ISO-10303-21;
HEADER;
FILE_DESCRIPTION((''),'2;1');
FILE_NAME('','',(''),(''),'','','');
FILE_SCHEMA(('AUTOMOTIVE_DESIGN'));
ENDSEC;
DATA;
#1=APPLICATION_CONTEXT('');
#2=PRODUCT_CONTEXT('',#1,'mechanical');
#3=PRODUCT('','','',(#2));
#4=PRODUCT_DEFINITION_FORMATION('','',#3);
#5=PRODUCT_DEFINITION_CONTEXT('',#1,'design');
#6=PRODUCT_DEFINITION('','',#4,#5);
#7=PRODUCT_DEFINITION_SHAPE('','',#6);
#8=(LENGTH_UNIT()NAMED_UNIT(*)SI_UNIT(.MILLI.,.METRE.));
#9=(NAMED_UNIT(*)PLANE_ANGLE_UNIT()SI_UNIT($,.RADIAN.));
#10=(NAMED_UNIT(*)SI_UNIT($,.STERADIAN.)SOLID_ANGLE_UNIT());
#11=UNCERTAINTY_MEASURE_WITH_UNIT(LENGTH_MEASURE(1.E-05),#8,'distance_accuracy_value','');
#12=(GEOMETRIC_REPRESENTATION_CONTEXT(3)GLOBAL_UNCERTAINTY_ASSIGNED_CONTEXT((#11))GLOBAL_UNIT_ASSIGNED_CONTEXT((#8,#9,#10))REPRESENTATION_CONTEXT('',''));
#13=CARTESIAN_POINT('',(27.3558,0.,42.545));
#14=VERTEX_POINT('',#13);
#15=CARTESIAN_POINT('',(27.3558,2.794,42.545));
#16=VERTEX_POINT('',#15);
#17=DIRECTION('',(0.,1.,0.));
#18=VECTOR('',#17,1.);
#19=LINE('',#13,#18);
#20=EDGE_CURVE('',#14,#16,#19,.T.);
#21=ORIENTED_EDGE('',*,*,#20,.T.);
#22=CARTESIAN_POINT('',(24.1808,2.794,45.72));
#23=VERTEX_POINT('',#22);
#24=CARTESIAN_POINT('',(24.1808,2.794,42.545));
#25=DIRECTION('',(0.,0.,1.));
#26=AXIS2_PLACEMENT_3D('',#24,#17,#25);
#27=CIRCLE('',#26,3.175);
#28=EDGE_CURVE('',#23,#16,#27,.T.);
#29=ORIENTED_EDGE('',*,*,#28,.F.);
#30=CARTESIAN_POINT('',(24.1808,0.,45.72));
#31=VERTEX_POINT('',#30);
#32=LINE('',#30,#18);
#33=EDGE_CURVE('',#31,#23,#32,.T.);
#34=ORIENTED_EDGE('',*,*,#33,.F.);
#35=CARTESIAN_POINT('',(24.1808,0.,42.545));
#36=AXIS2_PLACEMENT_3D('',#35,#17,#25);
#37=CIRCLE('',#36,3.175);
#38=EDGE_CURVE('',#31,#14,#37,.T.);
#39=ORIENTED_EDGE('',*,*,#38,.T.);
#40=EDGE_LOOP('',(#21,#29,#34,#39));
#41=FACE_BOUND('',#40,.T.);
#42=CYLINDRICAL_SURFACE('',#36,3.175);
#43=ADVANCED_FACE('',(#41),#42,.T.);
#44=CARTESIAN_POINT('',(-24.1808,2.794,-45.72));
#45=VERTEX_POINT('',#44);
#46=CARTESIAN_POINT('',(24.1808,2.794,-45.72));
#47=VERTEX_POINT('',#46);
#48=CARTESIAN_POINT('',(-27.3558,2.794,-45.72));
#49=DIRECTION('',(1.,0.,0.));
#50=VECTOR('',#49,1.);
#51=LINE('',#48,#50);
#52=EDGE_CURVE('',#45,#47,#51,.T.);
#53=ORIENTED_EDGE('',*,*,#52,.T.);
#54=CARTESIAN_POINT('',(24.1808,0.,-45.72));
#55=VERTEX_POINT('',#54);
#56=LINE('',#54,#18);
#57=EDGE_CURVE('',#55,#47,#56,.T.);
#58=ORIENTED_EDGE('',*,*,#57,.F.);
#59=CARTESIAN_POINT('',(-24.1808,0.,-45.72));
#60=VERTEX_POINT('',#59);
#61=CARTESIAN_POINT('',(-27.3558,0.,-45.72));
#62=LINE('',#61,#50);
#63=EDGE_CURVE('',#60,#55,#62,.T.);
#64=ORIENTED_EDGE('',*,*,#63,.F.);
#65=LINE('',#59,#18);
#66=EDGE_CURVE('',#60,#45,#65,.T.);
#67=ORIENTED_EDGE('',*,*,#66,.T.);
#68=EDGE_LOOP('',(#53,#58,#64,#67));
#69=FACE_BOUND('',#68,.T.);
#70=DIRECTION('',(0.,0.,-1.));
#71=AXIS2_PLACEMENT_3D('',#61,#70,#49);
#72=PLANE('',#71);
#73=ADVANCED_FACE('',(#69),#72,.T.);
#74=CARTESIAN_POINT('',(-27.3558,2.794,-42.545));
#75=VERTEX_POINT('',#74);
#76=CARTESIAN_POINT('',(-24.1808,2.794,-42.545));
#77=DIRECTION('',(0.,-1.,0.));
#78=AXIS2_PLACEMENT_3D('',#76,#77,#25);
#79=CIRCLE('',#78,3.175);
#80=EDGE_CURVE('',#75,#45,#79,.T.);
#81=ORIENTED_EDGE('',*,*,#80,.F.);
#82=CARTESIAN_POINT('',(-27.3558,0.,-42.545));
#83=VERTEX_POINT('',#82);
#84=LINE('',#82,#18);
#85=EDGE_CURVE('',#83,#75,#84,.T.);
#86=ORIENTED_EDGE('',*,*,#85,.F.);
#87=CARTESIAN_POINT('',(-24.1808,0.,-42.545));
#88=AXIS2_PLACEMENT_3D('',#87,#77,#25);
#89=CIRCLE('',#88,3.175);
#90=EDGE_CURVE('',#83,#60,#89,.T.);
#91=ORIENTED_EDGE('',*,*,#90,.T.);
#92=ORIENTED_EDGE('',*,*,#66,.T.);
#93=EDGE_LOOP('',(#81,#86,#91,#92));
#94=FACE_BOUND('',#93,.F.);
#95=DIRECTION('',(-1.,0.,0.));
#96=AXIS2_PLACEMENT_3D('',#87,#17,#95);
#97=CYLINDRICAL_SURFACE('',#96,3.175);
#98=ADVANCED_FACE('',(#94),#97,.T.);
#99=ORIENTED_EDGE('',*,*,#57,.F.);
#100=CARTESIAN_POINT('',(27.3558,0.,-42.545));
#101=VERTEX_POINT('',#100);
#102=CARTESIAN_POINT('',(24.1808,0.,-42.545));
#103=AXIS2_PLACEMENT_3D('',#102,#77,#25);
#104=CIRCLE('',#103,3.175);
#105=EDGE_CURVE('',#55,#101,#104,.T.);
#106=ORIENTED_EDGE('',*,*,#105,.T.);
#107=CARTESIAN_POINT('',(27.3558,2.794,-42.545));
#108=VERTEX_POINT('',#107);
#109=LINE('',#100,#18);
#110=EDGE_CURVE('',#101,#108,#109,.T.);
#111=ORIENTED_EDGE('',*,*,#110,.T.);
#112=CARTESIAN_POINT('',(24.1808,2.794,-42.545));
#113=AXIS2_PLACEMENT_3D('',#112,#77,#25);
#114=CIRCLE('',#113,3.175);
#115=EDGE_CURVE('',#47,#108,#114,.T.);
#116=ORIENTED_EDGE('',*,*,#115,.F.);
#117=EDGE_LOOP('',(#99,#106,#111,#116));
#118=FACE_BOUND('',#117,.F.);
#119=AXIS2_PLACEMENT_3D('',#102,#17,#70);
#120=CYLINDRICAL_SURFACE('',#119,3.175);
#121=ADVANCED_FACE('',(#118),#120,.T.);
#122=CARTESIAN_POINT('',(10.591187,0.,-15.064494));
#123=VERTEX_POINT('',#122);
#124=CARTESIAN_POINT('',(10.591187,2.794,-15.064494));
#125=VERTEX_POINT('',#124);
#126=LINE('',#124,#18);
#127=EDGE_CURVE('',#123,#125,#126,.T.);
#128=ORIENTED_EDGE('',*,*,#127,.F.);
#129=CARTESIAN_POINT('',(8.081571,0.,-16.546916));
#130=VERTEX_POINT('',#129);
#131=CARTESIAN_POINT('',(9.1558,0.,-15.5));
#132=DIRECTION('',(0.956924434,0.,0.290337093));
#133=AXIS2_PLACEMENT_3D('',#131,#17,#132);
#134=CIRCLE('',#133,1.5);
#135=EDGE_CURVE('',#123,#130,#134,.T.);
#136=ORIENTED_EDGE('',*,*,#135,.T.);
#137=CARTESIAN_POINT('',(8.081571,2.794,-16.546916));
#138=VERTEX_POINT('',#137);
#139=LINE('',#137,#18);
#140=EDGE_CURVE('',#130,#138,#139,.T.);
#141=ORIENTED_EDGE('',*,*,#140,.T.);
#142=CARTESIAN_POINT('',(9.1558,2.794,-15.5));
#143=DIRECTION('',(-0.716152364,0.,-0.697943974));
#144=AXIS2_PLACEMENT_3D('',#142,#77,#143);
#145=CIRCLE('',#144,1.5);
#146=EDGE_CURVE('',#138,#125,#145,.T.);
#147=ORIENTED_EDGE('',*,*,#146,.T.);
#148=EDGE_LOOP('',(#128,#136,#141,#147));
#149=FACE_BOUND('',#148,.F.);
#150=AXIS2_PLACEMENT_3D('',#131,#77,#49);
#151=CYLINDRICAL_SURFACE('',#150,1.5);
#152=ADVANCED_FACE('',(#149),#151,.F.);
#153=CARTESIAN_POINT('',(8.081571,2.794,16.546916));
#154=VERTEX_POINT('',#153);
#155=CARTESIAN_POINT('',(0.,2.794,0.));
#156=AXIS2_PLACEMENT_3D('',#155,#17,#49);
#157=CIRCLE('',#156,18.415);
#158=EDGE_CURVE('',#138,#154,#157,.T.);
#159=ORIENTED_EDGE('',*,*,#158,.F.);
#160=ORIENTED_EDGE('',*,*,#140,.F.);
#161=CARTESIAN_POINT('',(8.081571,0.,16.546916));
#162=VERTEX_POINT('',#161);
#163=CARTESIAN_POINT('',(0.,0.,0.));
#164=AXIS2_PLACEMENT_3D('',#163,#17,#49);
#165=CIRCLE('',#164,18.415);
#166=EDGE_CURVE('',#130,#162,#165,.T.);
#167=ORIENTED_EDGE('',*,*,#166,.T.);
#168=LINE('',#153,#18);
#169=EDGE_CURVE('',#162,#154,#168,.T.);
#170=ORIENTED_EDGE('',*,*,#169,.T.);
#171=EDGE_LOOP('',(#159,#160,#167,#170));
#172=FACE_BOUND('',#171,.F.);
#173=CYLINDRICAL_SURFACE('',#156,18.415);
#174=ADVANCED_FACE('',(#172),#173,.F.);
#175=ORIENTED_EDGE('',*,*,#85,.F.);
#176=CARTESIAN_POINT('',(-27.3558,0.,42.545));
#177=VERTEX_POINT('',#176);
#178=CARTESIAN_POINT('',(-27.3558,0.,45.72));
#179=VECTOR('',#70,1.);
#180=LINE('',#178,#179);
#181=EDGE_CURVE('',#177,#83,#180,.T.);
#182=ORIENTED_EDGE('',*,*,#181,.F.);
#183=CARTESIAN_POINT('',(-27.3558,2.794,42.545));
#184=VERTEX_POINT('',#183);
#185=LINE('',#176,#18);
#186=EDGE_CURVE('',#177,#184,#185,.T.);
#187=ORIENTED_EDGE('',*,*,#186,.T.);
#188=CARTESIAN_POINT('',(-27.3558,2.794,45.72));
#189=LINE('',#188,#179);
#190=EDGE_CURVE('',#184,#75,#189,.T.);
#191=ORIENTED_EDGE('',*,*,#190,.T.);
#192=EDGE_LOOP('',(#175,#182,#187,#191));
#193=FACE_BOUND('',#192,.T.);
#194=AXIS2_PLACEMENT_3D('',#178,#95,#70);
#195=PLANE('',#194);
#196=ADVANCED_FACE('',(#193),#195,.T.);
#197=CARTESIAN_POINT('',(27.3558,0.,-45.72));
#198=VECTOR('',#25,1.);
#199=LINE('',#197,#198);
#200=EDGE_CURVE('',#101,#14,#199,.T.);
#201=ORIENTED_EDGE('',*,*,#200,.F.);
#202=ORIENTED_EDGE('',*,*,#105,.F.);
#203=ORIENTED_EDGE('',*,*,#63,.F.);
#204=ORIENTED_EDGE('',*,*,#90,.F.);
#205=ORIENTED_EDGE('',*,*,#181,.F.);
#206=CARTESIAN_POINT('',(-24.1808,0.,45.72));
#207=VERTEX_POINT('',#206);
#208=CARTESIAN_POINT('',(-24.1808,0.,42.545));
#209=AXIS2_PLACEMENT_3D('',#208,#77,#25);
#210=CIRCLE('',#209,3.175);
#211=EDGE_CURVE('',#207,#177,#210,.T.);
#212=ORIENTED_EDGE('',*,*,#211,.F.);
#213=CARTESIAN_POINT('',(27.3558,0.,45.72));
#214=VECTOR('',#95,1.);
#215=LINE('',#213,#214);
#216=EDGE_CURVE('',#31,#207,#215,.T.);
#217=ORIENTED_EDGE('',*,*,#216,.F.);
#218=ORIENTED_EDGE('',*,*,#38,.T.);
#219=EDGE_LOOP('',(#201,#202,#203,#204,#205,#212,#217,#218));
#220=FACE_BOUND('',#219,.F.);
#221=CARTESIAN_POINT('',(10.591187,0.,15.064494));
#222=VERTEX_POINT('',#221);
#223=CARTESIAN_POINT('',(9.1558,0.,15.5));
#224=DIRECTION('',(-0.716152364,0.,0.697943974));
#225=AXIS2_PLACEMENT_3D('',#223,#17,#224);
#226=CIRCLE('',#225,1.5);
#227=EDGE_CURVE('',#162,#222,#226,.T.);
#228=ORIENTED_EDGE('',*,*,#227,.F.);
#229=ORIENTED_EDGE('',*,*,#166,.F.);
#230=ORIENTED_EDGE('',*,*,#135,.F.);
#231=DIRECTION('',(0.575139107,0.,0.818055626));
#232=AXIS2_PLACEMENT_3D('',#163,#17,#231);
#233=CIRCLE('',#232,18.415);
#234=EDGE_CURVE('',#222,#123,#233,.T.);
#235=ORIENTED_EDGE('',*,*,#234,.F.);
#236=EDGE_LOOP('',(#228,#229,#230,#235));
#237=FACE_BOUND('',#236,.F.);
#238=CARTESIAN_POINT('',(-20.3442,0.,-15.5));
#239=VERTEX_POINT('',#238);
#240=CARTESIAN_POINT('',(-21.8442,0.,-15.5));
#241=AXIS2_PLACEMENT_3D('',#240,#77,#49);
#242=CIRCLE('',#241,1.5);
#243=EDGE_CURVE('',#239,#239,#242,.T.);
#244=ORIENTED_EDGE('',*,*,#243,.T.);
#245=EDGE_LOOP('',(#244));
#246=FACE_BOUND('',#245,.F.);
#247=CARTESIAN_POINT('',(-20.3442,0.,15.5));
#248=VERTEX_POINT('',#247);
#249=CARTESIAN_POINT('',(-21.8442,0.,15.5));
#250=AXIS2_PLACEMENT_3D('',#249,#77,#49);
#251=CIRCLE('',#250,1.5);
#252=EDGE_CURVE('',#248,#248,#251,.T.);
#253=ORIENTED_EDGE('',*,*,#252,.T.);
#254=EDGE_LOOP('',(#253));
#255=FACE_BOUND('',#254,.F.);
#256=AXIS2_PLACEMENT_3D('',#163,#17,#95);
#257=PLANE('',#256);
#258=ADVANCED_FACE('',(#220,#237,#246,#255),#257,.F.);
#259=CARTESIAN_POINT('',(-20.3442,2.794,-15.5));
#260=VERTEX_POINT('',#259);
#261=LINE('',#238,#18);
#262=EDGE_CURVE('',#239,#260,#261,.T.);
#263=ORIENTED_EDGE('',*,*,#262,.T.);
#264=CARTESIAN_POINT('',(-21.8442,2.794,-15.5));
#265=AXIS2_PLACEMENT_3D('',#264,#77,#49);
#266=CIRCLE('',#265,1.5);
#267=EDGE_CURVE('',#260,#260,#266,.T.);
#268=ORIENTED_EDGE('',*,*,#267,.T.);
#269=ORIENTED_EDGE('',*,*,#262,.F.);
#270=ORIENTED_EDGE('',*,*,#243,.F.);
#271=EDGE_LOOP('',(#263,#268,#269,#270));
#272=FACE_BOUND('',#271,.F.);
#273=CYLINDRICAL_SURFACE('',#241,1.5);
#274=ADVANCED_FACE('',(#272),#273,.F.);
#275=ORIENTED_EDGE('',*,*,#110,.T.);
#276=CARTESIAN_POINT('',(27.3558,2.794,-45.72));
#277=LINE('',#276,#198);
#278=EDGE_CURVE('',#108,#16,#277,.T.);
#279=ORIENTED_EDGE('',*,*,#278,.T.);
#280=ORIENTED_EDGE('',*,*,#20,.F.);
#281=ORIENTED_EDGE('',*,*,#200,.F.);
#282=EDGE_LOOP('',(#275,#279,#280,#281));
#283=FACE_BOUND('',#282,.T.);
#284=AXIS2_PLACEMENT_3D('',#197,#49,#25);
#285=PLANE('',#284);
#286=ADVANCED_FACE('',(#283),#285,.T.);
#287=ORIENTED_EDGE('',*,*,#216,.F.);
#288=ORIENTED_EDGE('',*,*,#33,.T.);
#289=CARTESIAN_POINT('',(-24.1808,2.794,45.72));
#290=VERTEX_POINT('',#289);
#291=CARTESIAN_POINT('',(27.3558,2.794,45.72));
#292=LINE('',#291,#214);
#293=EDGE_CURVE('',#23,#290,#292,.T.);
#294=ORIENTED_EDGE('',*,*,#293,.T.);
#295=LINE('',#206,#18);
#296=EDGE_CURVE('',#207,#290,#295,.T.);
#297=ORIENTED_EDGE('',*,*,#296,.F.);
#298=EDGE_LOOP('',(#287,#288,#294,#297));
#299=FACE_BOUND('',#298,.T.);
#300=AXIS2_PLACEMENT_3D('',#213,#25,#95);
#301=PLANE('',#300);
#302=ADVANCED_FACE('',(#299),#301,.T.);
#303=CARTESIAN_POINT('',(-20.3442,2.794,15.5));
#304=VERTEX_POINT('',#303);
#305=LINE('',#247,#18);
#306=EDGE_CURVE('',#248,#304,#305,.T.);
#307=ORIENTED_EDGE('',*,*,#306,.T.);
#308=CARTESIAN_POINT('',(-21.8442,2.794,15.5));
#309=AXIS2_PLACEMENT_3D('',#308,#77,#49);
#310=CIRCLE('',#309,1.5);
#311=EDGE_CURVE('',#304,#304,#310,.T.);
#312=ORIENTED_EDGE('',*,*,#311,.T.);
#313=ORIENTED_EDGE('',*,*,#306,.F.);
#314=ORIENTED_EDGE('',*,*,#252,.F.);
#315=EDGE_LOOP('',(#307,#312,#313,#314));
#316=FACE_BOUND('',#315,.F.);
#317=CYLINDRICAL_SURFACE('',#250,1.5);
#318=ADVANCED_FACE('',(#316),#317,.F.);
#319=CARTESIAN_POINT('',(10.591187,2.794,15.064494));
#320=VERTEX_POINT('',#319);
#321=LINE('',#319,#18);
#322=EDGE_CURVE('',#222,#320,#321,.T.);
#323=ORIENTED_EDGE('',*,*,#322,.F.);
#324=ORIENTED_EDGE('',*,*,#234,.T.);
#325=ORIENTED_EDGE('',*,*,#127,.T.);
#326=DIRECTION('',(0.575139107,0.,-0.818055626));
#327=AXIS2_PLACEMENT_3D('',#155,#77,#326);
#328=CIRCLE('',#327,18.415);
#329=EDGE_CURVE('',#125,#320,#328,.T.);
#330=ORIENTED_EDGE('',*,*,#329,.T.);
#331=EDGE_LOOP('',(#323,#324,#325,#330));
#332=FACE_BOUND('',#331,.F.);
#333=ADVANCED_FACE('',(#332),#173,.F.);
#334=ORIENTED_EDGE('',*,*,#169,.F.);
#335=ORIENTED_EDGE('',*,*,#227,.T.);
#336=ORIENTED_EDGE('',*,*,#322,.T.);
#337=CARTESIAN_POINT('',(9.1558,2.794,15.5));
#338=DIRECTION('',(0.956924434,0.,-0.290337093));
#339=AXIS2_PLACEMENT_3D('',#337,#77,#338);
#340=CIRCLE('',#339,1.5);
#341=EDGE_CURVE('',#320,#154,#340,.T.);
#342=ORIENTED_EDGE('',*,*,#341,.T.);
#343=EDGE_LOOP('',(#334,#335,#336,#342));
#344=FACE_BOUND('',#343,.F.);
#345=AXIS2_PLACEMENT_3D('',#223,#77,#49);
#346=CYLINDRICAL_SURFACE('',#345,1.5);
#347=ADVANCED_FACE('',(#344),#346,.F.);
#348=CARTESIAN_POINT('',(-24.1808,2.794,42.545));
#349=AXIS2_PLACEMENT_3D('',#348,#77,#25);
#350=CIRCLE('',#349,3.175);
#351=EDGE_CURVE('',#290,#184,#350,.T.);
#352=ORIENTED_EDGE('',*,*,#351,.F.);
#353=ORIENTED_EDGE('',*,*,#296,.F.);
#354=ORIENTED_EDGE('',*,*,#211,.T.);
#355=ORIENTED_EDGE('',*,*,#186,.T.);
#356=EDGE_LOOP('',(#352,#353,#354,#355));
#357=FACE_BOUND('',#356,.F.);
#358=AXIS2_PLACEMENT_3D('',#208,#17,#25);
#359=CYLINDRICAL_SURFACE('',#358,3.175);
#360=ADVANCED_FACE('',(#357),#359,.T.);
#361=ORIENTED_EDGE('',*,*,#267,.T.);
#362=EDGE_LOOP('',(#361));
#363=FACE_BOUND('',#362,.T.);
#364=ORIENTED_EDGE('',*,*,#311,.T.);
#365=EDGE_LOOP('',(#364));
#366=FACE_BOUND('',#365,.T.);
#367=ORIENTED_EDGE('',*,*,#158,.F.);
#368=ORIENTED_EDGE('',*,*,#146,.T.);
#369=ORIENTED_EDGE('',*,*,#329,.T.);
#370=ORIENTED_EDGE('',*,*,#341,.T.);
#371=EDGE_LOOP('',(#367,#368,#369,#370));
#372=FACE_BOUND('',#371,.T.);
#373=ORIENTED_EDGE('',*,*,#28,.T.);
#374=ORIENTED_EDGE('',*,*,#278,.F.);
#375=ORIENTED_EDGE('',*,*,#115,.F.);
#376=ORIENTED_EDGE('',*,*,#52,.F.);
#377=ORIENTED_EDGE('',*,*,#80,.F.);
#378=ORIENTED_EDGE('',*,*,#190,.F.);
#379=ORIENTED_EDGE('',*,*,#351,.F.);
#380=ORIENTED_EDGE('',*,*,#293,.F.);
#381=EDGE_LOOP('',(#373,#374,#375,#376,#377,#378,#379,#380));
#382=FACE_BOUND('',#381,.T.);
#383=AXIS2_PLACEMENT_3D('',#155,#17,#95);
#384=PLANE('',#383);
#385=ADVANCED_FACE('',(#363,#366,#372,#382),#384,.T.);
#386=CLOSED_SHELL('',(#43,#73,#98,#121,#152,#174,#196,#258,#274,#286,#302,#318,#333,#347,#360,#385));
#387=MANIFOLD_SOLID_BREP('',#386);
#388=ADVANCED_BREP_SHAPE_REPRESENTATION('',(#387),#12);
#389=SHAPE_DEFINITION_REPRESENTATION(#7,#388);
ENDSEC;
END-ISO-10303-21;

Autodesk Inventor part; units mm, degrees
ref_plane "YZ Plane" through (0, 0, 0) normal (1, 0, 0) x (0, 1, 0)
ref_plane "XZ Plane" through (0, 0, 0) normal (0, 1, 0) x (-1, 0, 0)
ref_plane "XY Plane" through (0, 0, 0) normal (0, 0, 1) x (1, 0, 0)
sketch "Sketch1" plane through (0, 0, 0) normal (0, 1, 0) x (-1, 0, 0)
  line L0 (-27.3558, 45.72) -> (27.3558, 45.72)
  line L1 (27.3558, 45.72) -> (27.3558, -45.72)
  line L2 (27.3558, -45.72) -> (-27.3558, -45.72)
  line L3 (-27.3558, -45.72) -> (-27.3558, 45.72)
  line L4 (-27.3558, 45.72) -> (27.3558, -45.72) construction
  line L5 (27.3558, 45.72) -> (-27.3558, -45.72) construction
  point P0 (0, 0)
  dimension "d0" = 54.7116
  dimension "d1" = 91.44
extrude "Extrusion1" add sketch "Sketch1" along normal blind 2.794
fillet "Fillet1" radius 3.175 4 edges at (-27.3558, 1.397, 45.72) (27.3558, 1.397, 45.72) (27.3558, 1.397, -45.72) (-27.3558, 1.397, -45.72)
sketch "Sketch2" plane through (0, 2.794, 0) normal (0, 1, 0) x (1, 0, 0)
  circle A0 centre (-6.3442, 0) radius 6.223
  circle A1 centre (-12.7676, 7.75) radius 1.5
  circle A2 centre (14.0792, 7.75) radius 1.5
  circle A3 centre (0.6558, 15.5) radius 1.5
  circle A4 centre (0.6558, -15.5) radius 1.5
  circle A5 centre (14.0792, -7.75) radius 1.5
  circle A6 centre (-12.7676, -7.75) radius 1.5
  line L0 (-27.3558, -45.72) -> (-27.3558, 45.72)
  line L1 (-27.3558, 45.72) -> (27.3558, 45.72)
  line L2 (27.3558, 45.72) -> (27.3558, -45.72)
  line L3 (27.3558, -45.72) -> (-27.3558, -45.72)
  circle A7 centre (0, 0) radius 18.415
  dimension "d5" = 36.83
extrude "Extrusion2" cut sketch "Sketch2" against normal blind 2.794 contours A0 | A1 | A2 | A3 | A4 | A5 | A6 | A7
sketch "Sketch3" plane through (0, 0, 0) normal (0, -1, 0) x (1, 0, 0)
  arc A0 (-39.5942, -30.48) -> (-36.5942, -30.48) centre (-38.0942, -30.48) ccw
  line L0 (-36.5942, -30.48) -> (-36.5942, -5.08)
  arc A1 (-36.5942, -5.08) -> (-39.5942, -5.08) centre (-38.0942, -5.08) ccw
  line L1 (-39.5942, -5.08) -> (-39.5942, -30.48)
  arc A2 (-39.5942, 5.08) -> (-36.5942, 5.08) centre (-38.0942, 5.08) ccw
  line L2 (-36.5942, 5.08) -> (-36.5942, 30.48)
  arc A3 (-36.5942, 30.48) -> (-39.5942, 30.48) centre (-38.0942, 30.48) ccw
  line L3 (-39.5942, 30.48) -> (-39.5942, 5.08)
  circle A4 centre (9.1558, -15.5) radius 1.5
  circle A5 centre (-21.8442, -15.5) radius 1.5
  circle A6 centre (9.1558, 15.5) radius 1.5
  circle A7 centre (-21.8442, 15.5) radius 1.5
  circle A8 centre (-6.3442, 0) radius 11
  line L4 (-10.7442, -50.8) -> (-20.9042, -50.8)
  line L5 (-20.9042, -50.8) -> (-20.9042, -45.72)
  line L6 (-20.9042, -45.72) -> (-31.0642, -45.72)
  line L7 (-31.0642, -45.72) -> (-31.0642, -50.8)
  line L8 (-31.0642, -50.8) -> (-41.2242, -50.8)
  line L9 (-41.2242, -50.8) -> (-41.2242, -45.72)
  line L10 (-41.2242, -45.72) -> (-46.3042, -45.72)
  line L11 (-46.3042, -45.72) -> (-46.3042, 45.72)
  line L12 (-46.3042, 45.72) -> (-41.2242, 45.72)
  line L13 (-41.2242, 45.72) -> (-41.2242, 50.8)
  line L14 (-41.2242, 50.8) -> (-31.0642, 50.8)
  line L15 (-31.0642, 50.8) -> (-31.0642, 45.72)
  line L16 (-31.0642, 45.72) -> (-20.9042, 45.72)
  line L17 (-20.9042, 45.72) -> (-20.9042, 50.8)
  line L18 (-20.9042, 50.8) -> (-10.7442, 50.8)
  line L19 (-10.7442, 50.8) -> (-10.7442, 45.72)
  line L20 (-10.7442, 45.72) -> (-0.5842, 45.72)
  line L21 (-0.5842, 45.72) -> (-0.5842, 50.8)
  line L22 (-0.5842, 50.8) -> (9.5758, 50.8)
  line L23 (9.5758, 50.8) -> (9.5758, 45.72)
  line L24 (9.5758, 45.72) -> (14.6558, 45.72)
  line L25 (14.6558, 45.72) -> (14.6558, -45.72)
  line L26 (14.6558, -45.72) -> (9.5758, -45.72)
  line L27 (9.5758, -45.72) -> (9.5758, -50.8)
  line L28 (9.5758, -50.8) -> (-0.5842, -50.8)
  line L29 (-0.5842, -50.8) -> (-0.5842, -45.72)
  line L30 (-0.5842, -45.72) -> (-10.7442, -45.72)
  line L31 (-10.7442, -45.72) -> (-10.7442, -50.8)
  point P0 (0, 0)
extrude "Extrusion3" cut sketch "Sketch3" against normal blind 2.794 contours A4 | A5 | A6 | A7
properties part number "MotorMountDC" material "Polycarbonate, Smoke"
